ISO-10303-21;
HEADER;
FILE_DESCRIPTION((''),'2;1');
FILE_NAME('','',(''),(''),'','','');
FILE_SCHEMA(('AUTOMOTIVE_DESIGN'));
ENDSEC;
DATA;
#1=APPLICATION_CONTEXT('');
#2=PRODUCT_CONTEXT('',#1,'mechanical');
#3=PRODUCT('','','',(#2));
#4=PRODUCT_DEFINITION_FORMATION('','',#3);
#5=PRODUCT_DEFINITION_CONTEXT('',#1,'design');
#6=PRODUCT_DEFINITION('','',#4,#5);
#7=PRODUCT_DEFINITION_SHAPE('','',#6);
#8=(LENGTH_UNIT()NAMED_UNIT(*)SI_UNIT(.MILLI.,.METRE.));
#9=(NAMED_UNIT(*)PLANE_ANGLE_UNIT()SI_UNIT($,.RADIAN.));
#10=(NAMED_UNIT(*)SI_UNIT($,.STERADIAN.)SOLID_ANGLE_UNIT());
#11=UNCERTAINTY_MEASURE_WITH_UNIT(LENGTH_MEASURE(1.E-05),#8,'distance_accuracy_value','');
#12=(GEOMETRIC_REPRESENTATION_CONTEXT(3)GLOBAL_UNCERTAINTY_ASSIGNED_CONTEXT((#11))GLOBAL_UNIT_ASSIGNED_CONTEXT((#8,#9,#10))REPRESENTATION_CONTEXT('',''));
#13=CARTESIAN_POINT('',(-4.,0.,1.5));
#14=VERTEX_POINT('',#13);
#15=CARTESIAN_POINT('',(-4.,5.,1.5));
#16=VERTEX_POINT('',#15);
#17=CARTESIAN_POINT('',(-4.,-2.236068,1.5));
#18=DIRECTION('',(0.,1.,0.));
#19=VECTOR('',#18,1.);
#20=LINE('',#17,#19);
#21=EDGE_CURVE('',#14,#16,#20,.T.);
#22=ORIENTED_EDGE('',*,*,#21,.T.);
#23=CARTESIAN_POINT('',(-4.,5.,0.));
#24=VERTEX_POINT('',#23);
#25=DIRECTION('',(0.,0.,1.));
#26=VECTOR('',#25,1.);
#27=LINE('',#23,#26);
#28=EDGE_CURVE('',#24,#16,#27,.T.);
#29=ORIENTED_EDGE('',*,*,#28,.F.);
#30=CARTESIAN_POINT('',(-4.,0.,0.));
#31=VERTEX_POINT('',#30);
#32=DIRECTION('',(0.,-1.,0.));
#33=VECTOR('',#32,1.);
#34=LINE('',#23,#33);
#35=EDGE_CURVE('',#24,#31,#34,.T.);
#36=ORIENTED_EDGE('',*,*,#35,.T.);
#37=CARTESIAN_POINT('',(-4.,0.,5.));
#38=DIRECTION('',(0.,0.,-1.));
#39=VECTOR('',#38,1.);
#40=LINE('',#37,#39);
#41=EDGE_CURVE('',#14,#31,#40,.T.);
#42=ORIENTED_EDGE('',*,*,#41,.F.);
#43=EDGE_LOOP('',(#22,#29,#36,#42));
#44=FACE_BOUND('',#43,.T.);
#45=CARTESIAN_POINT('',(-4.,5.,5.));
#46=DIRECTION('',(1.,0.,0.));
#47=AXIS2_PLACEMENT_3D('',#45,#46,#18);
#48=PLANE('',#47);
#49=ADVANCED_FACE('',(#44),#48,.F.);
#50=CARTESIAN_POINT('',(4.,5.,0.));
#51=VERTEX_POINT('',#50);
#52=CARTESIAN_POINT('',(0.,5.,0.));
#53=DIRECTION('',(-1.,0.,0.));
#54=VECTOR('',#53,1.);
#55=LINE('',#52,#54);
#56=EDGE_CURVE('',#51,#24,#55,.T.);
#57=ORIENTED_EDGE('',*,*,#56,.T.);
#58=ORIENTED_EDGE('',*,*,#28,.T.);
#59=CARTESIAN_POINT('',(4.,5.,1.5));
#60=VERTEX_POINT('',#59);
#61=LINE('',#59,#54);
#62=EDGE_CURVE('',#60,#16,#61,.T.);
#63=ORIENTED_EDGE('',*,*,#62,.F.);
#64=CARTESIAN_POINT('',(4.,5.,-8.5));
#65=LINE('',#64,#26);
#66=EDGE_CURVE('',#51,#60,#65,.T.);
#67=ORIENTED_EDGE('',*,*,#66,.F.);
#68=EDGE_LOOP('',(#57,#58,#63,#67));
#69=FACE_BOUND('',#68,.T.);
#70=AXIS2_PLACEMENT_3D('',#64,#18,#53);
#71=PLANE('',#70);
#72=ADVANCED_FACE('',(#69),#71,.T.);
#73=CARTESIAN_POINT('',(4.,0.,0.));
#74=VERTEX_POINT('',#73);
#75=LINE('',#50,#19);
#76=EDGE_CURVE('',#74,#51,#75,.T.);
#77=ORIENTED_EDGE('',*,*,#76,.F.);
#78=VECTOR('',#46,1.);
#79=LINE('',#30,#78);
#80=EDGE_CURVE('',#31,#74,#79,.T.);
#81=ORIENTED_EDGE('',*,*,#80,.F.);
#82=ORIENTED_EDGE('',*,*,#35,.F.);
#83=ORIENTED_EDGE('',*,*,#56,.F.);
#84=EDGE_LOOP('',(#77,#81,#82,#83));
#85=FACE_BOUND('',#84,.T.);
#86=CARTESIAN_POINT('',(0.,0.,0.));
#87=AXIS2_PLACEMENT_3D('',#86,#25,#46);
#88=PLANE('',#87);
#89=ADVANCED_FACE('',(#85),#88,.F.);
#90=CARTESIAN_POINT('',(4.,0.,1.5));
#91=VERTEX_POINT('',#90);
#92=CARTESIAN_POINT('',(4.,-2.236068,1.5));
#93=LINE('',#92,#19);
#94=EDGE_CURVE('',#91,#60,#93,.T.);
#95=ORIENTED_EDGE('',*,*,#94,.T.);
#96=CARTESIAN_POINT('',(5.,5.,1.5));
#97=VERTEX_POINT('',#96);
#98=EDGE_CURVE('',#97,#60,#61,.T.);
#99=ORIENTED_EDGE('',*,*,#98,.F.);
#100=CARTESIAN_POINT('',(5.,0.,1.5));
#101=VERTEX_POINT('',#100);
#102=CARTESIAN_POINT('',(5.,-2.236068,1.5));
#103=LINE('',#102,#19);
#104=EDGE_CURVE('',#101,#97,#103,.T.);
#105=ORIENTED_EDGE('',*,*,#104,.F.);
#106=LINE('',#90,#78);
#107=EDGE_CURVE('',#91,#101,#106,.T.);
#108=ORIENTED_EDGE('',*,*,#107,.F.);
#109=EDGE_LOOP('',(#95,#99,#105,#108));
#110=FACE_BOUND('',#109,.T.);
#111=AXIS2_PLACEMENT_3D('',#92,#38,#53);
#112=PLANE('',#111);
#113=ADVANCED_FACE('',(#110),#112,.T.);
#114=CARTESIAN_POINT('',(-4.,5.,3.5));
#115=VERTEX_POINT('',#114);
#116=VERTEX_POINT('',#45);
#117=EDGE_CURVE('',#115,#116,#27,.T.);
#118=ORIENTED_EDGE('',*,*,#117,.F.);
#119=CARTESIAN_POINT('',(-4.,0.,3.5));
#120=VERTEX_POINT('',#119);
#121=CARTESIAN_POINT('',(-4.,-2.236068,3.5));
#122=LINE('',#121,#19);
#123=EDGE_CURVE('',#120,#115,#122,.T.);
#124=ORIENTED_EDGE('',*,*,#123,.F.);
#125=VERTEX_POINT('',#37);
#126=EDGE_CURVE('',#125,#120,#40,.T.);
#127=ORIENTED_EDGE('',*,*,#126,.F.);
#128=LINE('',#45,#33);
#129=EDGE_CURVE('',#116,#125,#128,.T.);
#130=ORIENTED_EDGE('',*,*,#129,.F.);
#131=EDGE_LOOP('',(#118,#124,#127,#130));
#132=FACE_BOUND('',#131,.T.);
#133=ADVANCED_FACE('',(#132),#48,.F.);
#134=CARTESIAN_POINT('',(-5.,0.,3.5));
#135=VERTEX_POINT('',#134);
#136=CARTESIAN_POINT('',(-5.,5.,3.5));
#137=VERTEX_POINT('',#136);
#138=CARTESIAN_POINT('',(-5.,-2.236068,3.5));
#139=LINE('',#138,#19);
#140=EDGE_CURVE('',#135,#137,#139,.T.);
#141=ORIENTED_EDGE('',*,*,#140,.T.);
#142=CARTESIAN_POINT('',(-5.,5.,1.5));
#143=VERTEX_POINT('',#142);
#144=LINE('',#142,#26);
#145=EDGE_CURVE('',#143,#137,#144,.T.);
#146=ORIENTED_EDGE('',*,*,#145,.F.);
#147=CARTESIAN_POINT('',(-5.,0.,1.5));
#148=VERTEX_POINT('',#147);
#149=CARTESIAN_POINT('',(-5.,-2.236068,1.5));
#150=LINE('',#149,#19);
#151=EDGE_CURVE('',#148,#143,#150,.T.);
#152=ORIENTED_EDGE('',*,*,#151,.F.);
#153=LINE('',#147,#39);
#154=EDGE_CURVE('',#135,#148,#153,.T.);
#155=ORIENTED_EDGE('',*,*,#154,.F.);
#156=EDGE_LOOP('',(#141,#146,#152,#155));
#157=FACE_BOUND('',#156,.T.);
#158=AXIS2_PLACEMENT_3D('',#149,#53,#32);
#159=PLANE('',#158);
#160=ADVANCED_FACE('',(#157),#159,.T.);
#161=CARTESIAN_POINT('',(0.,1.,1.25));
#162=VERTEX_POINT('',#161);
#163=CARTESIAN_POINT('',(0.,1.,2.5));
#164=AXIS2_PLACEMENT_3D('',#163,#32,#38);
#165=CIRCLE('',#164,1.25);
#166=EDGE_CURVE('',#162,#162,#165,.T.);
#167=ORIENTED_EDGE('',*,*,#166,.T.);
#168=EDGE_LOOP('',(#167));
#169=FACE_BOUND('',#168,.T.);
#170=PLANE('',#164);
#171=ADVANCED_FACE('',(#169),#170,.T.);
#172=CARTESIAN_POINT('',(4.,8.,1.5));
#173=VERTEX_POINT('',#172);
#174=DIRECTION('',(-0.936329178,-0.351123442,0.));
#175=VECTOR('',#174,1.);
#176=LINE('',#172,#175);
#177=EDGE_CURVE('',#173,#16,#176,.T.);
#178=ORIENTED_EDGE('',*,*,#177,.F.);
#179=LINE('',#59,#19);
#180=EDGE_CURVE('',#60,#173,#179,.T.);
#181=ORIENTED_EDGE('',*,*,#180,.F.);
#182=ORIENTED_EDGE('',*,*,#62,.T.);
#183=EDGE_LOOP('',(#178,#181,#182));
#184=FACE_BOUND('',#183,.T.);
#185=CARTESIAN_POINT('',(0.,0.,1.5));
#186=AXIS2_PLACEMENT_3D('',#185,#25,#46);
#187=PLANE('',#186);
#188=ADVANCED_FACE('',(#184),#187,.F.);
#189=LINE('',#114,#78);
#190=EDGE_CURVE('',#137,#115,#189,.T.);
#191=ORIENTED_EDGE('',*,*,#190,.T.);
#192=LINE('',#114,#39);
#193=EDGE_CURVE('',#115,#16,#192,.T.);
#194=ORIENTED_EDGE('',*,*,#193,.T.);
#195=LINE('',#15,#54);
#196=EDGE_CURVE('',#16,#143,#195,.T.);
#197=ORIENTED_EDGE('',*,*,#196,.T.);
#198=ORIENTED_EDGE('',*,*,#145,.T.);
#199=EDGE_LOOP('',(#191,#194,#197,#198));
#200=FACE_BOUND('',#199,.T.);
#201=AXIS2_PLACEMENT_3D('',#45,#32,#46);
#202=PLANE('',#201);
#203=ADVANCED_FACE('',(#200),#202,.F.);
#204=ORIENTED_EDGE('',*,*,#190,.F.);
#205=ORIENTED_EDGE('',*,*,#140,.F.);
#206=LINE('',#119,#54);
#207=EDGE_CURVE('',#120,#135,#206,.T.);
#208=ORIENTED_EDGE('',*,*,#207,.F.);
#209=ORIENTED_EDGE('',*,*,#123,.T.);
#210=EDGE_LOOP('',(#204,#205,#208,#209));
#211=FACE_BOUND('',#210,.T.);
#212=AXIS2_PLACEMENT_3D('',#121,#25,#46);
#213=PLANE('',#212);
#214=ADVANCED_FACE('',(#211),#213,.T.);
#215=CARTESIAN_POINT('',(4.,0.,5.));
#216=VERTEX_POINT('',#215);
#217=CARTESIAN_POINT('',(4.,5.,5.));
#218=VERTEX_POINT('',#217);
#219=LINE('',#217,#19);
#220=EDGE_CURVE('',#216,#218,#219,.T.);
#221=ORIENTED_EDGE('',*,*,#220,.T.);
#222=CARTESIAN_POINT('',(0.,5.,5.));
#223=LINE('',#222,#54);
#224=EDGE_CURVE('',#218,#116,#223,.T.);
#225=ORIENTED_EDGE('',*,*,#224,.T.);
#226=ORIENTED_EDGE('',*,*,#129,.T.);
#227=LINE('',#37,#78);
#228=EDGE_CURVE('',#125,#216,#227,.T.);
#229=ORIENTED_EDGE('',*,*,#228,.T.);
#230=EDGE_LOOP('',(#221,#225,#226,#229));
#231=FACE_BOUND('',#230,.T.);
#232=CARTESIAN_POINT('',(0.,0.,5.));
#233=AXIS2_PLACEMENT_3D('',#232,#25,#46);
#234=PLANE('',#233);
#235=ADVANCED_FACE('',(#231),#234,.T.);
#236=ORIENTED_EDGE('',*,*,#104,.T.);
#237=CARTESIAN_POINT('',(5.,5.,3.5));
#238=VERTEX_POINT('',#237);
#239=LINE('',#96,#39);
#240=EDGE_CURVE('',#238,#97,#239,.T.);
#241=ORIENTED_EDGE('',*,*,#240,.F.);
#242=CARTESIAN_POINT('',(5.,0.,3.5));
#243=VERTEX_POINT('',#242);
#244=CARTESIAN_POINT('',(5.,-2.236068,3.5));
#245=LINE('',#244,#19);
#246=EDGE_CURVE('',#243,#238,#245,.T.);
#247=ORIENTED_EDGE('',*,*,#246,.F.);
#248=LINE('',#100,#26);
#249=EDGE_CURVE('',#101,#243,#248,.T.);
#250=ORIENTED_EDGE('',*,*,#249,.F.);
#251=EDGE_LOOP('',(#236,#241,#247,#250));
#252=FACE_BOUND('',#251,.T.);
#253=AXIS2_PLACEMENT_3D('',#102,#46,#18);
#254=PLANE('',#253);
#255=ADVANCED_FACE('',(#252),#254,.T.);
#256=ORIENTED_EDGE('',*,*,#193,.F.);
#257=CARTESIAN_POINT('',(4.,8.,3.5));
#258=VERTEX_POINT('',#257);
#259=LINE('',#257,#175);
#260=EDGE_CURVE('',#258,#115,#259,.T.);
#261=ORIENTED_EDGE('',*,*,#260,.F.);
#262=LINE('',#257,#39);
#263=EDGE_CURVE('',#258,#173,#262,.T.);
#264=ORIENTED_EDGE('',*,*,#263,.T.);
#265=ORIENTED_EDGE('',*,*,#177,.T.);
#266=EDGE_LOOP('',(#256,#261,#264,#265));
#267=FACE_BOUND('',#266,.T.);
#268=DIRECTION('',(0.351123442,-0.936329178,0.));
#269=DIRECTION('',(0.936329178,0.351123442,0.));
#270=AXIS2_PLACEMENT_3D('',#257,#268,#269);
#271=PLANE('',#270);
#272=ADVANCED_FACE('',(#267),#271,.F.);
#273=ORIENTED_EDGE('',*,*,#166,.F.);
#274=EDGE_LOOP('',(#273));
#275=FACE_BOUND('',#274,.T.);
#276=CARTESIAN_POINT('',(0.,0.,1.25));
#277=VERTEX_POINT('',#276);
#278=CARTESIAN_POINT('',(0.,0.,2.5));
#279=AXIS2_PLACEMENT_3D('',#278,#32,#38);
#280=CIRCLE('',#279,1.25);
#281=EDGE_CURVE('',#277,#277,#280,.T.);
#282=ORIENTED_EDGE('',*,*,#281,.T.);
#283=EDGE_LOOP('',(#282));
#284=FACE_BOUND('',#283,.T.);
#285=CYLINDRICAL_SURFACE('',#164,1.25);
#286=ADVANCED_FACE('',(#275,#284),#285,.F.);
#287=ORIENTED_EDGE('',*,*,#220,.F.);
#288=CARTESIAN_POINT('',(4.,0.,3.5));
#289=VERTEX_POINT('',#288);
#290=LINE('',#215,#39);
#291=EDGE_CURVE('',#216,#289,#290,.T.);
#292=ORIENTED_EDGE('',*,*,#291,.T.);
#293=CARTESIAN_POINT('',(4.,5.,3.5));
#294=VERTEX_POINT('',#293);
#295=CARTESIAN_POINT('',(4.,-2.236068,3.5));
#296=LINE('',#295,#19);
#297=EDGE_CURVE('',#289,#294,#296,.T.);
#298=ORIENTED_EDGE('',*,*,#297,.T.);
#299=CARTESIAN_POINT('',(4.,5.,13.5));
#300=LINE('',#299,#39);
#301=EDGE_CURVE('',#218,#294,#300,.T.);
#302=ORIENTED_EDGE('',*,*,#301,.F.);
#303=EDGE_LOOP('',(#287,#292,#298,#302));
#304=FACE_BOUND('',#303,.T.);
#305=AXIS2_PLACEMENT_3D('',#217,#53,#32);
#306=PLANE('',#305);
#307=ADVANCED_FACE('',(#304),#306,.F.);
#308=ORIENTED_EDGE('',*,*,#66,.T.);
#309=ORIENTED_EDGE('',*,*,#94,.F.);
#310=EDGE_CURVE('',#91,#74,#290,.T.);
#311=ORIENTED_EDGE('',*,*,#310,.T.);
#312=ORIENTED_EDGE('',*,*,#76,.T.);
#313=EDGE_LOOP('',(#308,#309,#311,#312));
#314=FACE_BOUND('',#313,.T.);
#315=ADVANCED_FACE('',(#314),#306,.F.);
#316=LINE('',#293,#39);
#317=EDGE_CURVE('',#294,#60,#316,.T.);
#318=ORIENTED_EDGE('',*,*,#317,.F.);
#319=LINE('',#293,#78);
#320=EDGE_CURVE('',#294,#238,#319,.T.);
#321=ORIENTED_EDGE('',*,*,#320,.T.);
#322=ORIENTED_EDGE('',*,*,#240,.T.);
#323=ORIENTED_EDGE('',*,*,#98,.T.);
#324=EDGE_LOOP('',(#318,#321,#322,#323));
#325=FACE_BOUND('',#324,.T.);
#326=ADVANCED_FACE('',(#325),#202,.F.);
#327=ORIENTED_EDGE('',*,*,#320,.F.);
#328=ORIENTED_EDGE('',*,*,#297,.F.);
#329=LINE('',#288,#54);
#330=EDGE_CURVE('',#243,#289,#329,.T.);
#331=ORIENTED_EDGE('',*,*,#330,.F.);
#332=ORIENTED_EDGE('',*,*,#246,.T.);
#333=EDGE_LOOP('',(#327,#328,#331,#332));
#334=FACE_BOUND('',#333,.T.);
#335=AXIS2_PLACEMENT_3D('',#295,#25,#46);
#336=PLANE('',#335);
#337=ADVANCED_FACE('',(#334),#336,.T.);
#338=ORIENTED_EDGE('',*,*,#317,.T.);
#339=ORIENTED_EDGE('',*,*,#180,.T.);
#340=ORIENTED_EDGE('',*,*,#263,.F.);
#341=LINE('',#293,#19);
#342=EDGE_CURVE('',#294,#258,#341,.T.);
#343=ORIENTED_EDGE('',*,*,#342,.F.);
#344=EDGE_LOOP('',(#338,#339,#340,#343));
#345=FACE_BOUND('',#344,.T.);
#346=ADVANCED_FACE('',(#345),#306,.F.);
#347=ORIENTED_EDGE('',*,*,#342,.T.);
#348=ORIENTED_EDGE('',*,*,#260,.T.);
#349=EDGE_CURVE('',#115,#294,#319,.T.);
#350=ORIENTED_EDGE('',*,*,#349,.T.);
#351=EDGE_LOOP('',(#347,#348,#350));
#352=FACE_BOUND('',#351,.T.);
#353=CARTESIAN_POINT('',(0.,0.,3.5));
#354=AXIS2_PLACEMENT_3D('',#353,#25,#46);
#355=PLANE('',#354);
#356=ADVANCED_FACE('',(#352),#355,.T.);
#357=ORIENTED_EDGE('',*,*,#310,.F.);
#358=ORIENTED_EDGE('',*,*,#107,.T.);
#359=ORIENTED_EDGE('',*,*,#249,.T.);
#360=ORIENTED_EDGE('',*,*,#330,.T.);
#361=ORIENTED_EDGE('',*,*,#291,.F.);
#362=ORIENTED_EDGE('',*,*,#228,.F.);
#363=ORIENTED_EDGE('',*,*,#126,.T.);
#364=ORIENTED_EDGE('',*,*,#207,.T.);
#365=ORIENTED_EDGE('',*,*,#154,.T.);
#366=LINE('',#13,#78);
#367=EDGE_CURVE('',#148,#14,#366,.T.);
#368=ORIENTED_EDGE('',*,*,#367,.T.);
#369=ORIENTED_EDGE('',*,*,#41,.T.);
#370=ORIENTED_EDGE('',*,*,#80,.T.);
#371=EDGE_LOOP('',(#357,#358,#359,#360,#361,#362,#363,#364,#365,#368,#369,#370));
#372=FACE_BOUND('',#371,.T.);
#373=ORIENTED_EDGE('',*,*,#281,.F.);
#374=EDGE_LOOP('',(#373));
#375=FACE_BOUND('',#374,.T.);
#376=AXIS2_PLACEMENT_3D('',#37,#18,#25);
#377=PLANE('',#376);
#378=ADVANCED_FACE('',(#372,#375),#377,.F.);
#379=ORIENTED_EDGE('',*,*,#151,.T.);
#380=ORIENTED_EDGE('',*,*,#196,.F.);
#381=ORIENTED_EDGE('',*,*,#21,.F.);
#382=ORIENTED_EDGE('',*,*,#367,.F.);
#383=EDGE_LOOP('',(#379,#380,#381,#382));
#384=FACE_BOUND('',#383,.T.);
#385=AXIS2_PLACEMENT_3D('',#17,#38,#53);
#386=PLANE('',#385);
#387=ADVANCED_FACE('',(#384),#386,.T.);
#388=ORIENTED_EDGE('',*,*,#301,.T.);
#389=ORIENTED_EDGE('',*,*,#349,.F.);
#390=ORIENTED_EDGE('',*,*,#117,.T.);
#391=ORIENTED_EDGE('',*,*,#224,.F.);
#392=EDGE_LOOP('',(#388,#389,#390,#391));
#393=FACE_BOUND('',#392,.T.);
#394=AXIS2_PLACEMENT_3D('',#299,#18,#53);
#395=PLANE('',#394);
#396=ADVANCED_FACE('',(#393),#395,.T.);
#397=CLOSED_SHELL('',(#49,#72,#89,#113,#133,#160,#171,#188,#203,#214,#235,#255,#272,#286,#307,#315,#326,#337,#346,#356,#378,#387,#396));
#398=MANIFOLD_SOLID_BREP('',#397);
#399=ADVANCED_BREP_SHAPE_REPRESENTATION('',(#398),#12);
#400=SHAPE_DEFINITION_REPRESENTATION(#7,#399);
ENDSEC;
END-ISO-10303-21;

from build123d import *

# Parameters (mm, degrees)
SKETCH_1_W          = 8
SKETCH_1_H          = 5
EXTRUDE_1_DEPTH     = 5
SKETCH_2_W          = 1
SKETCH_2_H          = 2
EXTRUDE_2_DEPTH     = 5
EXTRUDE_3_DEPTH     = 1
SKETCH_7_W          = 8
SKETCH_7_H          = 1.5
EXTRUDE_4_DEPTH     = 1
CUT_EXTRUDE_2_DEPTH = 11.677078252
CUT_EXTRUDE_3_DEPTH = 10
CUT_EXTRUDE_4_DEPTH = 10
SKETCH_11_R         = 1.25
CUT_EXTRUDE_5_DEPTH = 1


with BuildPart() as part:
    # 草图1 → 凸台-拉伸1 (new body)
    with BuildSketch(Plane.XY):
        with Locations((0, 2.5)):
            Rectangle(SKETCH_1_W, SKETCH_1_H)
    extrude(amount=EXTRUDE_1_DEPTH)

    # 草图2 → 凸台-拉伸2 (add)
    with BuildSketch(Plane(origin=(0, 5, 0), x_dir=(1, 0, 0), z_dir=(0, 1, 0))):
        with Locations((-4.5, -2.5)):
            Rectangle(SKETCH_2_W, SKETCH_2_H)
        with Locations((4.5, -2.5)):
            Rectangle(SKETCH_2_W, SKETCH_2_H)
    extrude(amount=-EXTRUDE_2_DEPTH)

    # 草图6 → 凸台-拉伸3 (add, symmetric)
    with BuildSketch(Plane.XY.offset(2.5)):
        Polygon((4, 5), (4, 8), (-4, 5), align=None)
    extrude(amount=EXTRUDE_3_DEPTH, both=True)

    # 草图7 → 凸台-拉伸4 (add)
    with BuildSketch(Plane(origin=(0, 5, 0), x_dir=(1, 0, 0), z_dir=(0, 1, 0))):
        with Locations((0, -0.75)):
            Rectangle(SKETCH_7_W, SKETCH_7_H)
        with Locations((0, -4.25)):
            Rectangle(SKETCH_7_W, SKETCH_7_H)
    extrude(amount=EXTRUDE_4_DEPTH)

    # 草图8 → 切除-拉伸2 (cut, through all)
    with BuildSketch(Plane.XY.offset(5)):
        Polygon((-4, 5), (4, 8), (-4.143186706, 8), (-4.143186706, 5), align=None)
    extrude(amount=-CUT_EXTRUDE_2_DEPTH, mode=Mode.SUBTRACT)

    # 草图9 → 切除-拉伸3 (cut)
    with BuildSketch(Plane(origin=(0, 0, 1.5), x_dir=(-1, 0, 0), z_dir=(0, 0, -1))):
        Polygon((-4, 8), (-4, 5), (4, 5), align=None)
    extrude(amount=CUT_EXTRUDE_3_DEPTH, mode=Mode.SUBTRACT)

    # 草图10 → 切除-拉伸4 (cut)
    with BuildSketch(Plane.XY.offset(3.5)):
        Polygon((4, 8), (4, 5), (-4, 5), align=None)
    extrude(amount=CUT_EXTRUDE_4_DEPTH, mode=Mode.SUBTRACT)

    # 草图11 → 切除-拉伸5 (cut)
    with BuildSketch(Plane.XZ):
        with Locations(Location((0, 2.5, 0), (0, 0, 270))):
            Circle(SKETCH_11_R)
    extrude(amount=-CUT_EXTRUDE_5_DEPTH, mode=Mode.SUBTRACT)


solid = part.part
